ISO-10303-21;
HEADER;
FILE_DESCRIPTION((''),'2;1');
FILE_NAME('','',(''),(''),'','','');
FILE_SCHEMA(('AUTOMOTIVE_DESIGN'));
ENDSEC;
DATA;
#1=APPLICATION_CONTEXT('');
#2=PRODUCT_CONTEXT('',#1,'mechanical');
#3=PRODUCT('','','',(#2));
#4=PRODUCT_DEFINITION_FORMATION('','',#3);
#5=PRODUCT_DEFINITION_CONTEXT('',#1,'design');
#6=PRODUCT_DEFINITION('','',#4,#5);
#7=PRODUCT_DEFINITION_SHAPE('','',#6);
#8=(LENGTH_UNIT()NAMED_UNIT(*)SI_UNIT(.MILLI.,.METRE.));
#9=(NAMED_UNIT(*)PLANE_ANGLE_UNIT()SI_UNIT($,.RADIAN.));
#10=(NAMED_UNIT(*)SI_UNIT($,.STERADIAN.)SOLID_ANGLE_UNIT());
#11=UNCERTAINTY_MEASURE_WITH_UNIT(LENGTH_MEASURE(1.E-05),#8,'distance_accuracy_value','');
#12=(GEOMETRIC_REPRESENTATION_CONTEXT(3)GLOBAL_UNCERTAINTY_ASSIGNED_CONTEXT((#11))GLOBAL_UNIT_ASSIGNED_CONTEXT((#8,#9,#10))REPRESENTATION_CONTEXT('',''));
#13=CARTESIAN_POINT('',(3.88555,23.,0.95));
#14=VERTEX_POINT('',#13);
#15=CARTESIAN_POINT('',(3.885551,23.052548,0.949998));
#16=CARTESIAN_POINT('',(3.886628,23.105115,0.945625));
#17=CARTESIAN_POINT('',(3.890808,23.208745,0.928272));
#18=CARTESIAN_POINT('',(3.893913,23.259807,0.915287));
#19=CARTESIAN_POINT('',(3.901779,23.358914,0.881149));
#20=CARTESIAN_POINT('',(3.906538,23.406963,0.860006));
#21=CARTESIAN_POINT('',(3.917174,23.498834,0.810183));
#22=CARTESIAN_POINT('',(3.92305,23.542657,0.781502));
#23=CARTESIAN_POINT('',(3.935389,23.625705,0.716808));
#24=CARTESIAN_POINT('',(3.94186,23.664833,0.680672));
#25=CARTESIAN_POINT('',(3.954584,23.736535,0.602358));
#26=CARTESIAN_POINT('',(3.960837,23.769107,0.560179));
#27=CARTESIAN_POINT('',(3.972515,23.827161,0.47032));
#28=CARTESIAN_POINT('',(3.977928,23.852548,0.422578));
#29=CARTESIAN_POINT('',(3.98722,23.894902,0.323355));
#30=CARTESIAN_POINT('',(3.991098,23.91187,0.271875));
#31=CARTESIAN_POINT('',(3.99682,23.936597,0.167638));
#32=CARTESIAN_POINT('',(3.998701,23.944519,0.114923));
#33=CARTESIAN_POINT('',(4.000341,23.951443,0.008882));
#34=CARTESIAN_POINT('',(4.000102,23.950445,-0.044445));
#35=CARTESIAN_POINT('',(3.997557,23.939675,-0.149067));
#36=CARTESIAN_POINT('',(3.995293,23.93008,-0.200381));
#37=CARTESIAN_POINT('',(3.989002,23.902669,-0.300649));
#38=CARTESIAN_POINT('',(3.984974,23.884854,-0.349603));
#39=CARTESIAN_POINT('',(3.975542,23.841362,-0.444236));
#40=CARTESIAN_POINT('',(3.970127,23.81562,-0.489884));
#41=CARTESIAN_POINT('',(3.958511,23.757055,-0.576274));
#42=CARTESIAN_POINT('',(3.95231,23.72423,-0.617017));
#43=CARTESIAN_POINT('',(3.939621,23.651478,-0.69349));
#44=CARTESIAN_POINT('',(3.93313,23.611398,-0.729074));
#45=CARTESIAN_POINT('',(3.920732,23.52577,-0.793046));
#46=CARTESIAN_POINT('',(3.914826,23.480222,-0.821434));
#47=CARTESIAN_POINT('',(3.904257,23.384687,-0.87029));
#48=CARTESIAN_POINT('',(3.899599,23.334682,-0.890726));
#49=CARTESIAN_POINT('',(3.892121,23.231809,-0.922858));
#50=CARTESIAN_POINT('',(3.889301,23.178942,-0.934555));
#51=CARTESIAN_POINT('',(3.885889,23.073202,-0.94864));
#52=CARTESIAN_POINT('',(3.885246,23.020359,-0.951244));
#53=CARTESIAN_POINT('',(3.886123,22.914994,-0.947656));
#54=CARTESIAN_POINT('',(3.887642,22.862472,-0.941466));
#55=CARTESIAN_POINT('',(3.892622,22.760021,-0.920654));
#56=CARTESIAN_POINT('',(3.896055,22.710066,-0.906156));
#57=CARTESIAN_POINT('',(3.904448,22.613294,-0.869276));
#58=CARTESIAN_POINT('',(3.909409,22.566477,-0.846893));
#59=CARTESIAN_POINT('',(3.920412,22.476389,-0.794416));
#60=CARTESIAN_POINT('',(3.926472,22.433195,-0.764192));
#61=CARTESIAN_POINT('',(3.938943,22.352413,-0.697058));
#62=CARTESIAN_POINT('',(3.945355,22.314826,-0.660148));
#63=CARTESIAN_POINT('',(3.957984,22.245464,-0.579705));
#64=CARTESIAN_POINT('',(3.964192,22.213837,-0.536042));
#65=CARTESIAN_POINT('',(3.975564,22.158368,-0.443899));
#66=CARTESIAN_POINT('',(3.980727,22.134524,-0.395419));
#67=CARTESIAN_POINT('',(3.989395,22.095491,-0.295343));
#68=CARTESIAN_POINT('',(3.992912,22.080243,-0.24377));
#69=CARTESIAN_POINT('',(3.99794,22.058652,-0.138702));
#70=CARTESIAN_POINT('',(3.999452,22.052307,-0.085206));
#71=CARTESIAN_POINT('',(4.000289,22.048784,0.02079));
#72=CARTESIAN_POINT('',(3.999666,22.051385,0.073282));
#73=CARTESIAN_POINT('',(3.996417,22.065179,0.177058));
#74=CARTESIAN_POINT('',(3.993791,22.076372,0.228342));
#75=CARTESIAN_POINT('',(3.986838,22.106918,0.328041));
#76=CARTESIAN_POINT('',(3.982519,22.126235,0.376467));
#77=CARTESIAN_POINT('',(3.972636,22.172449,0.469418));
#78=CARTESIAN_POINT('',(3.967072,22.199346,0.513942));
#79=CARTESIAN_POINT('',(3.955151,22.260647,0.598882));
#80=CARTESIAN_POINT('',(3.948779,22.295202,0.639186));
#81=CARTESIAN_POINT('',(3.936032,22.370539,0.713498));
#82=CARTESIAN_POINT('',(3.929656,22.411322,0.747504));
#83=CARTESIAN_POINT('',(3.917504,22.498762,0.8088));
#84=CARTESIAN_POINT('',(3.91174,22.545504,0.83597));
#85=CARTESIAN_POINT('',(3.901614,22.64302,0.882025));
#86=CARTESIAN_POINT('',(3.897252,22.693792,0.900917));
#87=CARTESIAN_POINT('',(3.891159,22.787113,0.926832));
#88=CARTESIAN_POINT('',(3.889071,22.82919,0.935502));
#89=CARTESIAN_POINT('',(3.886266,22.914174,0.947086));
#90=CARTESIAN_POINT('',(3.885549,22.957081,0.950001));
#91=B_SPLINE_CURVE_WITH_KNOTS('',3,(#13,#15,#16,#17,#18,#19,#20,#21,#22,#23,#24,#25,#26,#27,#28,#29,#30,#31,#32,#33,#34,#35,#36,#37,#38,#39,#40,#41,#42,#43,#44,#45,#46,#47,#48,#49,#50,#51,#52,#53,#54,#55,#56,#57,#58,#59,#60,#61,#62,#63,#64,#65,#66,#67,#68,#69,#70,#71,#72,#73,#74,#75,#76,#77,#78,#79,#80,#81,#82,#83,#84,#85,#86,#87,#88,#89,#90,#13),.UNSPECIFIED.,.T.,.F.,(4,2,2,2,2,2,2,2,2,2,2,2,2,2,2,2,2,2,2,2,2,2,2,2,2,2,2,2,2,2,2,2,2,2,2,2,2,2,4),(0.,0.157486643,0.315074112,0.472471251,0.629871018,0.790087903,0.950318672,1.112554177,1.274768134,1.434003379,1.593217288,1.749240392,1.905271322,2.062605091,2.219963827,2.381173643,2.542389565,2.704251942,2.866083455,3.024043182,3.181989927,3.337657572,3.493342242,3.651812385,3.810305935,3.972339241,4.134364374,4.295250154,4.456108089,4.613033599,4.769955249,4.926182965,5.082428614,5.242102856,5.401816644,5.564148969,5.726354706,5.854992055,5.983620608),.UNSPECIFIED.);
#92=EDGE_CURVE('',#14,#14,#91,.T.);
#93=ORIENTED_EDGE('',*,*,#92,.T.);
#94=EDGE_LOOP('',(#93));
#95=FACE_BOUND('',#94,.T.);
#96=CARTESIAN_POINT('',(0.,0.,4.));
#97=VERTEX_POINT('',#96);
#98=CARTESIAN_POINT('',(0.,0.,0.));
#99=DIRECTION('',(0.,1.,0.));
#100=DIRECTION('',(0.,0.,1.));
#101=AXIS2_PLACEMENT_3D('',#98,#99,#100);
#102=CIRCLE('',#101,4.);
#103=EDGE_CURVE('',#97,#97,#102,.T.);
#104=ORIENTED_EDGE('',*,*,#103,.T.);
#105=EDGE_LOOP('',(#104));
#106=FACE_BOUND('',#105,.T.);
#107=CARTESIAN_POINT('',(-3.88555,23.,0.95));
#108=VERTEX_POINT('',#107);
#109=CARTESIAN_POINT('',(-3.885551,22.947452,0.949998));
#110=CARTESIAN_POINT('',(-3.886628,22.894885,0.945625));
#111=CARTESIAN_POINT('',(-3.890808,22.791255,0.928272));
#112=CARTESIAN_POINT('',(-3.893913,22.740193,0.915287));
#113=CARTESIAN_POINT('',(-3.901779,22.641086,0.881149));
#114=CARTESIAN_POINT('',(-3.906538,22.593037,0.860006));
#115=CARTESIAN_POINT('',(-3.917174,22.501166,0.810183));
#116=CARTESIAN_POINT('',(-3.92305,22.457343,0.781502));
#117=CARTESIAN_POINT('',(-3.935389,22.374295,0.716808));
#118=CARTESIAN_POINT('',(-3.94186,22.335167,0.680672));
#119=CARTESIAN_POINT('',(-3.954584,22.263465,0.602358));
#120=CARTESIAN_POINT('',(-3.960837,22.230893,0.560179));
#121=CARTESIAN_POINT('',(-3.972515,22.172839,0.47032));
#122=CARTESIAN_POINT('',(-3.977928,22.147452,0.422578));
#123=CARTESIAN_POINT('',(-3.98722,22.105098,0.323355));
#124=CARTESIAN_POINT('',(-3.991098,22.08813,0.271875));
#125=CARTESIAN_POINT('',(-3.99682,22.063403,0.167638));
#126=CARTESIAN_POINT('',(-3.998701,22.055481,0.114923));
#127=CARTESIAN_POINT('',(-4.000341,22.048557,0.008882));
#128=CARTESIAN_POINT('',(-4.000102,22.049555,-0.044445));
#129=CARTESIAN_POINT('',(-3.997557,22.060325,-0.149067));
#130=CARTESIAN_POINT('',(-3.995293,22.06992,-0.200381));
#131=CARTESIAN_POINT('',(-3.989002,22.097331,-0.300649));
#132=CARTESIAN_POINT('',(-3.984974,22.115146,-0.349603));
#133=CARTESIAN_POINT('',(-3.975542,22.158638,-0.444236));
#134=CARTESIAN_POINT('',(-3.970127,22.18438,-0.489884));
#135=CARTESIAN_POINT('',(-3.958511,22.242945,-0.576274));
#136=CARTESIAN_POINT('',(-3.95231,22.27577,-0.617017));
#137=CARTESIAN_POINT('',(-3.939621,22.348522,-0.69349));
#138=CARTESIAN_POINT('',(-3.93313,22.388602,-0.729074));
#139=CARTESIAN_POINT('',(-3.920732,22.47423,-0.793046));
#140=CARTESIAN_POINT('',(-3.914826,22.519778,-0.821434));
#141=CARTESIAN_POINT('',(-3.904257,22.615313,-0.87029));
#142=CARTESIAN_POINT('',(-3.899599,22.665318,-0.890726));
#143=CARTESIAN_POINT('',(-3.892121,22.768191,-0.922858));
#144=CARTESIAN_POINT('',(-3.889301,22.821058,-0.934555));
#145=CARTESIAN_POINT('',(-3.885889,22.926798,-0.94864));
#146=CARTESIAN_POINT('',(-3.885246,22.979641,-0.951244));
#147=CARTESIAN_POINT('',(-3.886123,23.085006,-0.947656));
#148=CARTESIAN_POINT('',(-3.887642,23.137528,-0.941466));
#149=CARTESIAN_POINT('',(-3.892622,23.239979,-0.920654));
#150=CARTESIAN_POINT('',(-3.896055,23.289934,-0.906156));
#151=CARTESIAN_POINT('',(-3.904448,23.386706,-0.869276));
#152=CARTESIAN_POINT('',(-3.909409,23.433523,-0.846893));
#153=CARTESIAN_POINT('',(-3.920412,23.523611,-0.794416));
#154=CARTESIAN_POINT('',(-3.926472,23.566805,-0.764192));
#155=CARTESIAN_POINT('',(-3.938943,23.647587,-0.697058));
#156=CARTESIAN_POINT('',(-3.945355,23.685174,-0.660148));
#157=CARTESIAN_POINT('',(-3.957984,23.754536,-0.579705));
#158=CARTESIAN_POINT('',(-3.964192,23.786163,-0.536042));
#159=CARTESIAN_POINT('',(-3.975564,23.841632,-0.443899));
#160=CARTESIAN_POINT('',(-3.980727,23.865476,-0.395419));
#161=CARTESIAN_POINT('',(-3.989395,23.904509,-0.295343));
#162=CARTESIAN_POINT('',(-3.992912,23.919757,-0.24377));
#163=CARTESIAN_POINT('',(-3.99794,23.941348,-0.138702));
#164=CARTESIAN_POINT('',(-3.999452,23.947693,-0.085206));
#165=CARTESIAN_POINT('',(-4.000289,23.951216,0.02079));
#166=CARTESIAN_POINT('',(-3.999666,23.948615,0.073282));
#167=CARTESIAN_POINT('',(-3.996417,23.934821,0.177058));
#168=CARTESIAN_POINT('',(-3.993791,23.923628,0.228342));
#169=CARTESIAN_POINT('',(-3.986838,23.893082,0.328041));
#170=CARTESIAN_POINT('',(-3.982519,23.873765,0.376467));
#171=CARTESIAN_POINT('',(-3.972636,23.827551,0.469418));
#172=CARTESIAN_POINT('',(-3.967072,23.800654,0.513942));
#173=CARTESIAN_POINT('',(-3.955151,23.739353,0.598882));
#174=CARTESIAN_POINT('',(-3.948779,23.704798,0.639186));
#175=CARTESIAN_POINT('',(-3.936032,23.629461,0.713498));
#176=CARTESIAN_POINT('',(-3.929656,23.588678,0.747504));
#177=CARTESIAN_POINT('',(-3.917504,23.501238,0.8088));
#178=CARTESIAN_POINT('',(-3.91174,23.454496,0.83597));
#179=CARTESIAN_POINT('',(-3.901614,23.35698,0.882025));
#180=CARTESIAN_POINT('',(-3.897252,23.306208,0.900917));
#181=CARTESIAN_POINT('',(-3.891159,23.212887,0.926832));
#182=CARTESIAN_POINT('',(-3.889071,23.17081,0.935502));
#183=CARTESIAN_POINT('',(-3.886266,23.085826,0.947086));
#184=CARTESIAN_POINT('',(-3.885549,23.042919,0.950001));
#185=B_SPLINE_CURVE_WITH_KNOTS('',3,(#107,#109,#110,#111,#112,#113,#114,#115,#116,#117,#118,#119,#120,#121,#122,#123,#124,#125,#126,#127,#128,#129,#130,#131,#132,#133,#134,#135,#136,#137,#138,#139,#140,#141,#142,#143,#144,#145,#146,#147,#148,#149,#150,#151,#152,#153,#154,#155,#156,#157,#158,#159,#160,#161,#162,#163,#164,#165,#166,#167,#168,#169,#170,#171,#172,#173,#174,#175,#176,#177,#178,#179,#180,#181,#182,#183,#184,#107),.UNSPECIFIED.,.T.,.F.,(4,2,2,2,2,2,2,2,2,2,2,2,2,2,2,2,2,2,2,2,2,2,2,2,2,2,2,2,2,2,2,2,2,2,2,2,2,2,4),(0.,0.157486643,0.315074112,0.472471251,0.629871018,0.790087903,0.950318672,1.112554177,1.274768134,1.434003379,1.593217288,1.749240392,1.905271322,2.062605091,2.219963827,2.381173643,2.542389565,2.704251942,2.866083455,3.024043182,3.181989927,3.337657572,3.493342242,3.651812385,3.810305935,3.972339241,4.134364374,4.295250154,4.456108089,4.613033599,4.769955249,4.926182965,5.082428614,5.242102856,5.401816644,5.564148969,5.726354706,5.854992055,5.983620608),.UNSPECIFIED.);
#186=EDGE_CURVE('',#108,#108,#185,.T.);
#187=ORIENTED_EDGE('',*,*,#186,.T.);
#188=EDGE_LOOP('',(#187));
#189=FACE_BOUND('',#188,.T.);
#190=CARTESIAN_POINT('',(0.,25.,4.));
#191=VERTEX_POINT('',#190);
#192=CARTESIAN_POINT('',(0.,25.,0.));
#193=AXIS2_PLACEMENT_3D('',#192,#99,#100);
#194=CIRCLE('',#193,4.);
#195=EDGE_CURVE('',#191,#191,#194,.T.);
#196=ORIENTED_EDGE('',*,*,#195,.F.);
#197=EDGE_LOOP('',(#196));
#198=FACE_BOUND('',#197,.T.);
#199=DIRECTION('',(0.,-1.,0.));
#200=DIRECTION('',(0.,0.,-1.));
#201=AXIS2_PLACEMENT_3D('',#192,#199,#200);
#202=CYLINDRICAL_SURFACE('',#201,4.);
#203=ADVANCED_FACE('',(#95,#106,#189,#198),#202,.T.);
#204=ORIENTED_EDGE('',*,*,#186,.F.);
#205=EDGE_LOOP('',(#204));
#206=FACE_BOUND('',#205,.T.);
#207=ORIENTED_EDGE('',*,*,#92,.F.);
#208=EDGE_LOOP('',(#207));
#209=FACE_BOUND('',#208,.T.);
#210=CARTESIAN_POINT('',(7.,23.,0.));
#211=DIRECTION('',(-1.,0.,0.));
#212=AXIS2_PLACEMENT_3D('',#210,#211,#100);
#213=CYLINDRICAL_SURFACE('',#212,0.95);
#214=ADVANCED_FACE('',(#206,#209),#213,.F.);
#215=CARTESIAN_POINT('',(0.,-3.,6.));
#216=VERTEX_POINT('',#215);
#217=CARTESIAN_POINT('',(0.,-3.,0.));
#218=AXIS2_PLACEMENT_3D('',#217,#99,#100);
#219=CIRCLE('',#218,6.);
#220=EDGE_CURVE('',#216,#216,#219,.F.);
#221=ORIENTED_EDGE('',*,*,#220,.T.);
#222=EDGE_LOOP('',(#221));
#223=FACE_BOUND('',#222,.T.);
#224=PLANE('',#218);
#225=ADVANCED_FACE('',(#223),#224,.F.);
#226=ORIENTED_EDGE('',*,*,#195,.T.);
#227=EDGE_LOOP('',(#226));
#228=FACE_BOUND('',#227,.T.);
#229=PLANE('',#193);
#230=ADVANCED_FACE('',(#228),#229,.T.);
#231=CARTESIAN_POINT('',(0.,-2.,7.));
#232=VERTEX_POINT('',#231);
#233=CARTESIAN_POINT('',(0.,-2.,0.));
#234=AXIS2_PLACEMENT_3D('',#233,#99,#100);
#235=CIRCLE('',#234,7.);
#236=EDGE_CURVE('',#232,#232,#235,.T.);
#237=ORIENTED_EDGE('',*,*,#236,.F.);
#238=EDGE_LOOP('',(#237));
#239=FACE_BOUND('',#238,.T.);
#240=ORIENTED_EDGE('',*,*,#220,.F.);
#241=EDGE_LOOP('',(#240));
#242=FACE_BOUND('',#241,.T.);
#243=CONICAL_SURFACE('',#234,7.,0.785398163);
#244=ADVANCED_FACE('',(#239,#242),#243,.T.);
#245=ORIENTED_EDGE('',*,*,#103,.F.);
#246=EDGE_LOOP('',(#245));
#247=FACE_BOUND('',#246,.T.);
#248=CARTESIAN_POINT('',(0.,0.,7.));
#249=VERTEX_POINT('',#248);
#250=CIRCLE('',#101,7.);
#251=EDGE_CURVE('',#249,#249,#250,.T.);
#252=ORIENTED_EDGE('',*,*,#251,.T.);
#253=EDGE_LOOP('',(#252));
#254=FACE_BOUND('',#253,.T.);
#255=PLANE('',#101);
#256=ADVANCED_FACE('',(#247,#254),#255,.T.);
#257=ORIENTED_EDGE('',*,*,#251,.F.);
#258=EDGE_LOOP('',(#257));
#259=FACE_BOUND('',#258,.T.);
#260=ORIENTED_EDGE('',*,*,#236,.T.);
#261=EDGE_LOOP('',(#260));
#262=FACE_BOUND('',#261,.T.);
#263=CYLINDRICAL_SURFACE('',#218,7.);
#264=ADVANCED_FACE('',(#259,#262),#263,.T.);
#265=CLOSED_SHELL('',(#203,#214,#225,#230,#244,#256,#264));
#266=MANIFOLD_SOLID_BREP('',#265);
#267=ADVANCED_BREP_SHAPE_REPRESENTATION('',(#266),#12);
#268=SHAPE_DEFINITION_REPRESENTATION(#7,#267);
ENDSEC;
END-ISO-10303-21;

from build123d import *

# Parameters (mm, degrees)
SKETCH1_R           = 7
BOSS_EXTRUDE1_DEPTH = 3
SKETCH1_3_R         = 4
BOSS_EXTRUDE2_DEPTH = 25
SKETCH3_R           = 0.95
CUT_EXTRUDE1_DEPTH  = 29.19574436
CHAMFER1_SIZE       = 1


with BuildPart() as part:
    # Sketch1 → Boss-Extrude1 (new body)
    with BuildSketch(Plane(origin=(0, 0, 0), x_dir=(1, 0, 0), z_dir=(0, 1, 0))):
        Circle(SKETCH1_R)
    extrude(amount=-BOSS_EXTRUDE1_DEPTH)

    # Sketch1<3> → Boss-Extrude2 (add)
    with BuildSketch(Plane(origin=(0, 0, 0), x_dir=(1, 0, 0), z_dir=(0, 1, 0))):
        Circle(SKETCH1_3_R)
    extrude(amount=BOSS_EXTRUDE2_DEPTH)

    # Sketch3 → Cut-Extrude1 (cut, through all)
    with BuildSketch(Plane.ZY.offset(4)):
        with Locations((0, 23)):
            Circle(SKETCH3_R)
    extrude(amount=-CUT_EXTRUDE1_DEPTH, mode=Mode.SUBTRACT)

    # Chamfer1
    chamfer1_edges = [part.edges().sort_by_distance(p)[0] for p in [
        (-7, -3, 0),
    ]]
    chamfer(chamfer1_edges, length=CHAMFER1_SIZE)


solid = part.part
